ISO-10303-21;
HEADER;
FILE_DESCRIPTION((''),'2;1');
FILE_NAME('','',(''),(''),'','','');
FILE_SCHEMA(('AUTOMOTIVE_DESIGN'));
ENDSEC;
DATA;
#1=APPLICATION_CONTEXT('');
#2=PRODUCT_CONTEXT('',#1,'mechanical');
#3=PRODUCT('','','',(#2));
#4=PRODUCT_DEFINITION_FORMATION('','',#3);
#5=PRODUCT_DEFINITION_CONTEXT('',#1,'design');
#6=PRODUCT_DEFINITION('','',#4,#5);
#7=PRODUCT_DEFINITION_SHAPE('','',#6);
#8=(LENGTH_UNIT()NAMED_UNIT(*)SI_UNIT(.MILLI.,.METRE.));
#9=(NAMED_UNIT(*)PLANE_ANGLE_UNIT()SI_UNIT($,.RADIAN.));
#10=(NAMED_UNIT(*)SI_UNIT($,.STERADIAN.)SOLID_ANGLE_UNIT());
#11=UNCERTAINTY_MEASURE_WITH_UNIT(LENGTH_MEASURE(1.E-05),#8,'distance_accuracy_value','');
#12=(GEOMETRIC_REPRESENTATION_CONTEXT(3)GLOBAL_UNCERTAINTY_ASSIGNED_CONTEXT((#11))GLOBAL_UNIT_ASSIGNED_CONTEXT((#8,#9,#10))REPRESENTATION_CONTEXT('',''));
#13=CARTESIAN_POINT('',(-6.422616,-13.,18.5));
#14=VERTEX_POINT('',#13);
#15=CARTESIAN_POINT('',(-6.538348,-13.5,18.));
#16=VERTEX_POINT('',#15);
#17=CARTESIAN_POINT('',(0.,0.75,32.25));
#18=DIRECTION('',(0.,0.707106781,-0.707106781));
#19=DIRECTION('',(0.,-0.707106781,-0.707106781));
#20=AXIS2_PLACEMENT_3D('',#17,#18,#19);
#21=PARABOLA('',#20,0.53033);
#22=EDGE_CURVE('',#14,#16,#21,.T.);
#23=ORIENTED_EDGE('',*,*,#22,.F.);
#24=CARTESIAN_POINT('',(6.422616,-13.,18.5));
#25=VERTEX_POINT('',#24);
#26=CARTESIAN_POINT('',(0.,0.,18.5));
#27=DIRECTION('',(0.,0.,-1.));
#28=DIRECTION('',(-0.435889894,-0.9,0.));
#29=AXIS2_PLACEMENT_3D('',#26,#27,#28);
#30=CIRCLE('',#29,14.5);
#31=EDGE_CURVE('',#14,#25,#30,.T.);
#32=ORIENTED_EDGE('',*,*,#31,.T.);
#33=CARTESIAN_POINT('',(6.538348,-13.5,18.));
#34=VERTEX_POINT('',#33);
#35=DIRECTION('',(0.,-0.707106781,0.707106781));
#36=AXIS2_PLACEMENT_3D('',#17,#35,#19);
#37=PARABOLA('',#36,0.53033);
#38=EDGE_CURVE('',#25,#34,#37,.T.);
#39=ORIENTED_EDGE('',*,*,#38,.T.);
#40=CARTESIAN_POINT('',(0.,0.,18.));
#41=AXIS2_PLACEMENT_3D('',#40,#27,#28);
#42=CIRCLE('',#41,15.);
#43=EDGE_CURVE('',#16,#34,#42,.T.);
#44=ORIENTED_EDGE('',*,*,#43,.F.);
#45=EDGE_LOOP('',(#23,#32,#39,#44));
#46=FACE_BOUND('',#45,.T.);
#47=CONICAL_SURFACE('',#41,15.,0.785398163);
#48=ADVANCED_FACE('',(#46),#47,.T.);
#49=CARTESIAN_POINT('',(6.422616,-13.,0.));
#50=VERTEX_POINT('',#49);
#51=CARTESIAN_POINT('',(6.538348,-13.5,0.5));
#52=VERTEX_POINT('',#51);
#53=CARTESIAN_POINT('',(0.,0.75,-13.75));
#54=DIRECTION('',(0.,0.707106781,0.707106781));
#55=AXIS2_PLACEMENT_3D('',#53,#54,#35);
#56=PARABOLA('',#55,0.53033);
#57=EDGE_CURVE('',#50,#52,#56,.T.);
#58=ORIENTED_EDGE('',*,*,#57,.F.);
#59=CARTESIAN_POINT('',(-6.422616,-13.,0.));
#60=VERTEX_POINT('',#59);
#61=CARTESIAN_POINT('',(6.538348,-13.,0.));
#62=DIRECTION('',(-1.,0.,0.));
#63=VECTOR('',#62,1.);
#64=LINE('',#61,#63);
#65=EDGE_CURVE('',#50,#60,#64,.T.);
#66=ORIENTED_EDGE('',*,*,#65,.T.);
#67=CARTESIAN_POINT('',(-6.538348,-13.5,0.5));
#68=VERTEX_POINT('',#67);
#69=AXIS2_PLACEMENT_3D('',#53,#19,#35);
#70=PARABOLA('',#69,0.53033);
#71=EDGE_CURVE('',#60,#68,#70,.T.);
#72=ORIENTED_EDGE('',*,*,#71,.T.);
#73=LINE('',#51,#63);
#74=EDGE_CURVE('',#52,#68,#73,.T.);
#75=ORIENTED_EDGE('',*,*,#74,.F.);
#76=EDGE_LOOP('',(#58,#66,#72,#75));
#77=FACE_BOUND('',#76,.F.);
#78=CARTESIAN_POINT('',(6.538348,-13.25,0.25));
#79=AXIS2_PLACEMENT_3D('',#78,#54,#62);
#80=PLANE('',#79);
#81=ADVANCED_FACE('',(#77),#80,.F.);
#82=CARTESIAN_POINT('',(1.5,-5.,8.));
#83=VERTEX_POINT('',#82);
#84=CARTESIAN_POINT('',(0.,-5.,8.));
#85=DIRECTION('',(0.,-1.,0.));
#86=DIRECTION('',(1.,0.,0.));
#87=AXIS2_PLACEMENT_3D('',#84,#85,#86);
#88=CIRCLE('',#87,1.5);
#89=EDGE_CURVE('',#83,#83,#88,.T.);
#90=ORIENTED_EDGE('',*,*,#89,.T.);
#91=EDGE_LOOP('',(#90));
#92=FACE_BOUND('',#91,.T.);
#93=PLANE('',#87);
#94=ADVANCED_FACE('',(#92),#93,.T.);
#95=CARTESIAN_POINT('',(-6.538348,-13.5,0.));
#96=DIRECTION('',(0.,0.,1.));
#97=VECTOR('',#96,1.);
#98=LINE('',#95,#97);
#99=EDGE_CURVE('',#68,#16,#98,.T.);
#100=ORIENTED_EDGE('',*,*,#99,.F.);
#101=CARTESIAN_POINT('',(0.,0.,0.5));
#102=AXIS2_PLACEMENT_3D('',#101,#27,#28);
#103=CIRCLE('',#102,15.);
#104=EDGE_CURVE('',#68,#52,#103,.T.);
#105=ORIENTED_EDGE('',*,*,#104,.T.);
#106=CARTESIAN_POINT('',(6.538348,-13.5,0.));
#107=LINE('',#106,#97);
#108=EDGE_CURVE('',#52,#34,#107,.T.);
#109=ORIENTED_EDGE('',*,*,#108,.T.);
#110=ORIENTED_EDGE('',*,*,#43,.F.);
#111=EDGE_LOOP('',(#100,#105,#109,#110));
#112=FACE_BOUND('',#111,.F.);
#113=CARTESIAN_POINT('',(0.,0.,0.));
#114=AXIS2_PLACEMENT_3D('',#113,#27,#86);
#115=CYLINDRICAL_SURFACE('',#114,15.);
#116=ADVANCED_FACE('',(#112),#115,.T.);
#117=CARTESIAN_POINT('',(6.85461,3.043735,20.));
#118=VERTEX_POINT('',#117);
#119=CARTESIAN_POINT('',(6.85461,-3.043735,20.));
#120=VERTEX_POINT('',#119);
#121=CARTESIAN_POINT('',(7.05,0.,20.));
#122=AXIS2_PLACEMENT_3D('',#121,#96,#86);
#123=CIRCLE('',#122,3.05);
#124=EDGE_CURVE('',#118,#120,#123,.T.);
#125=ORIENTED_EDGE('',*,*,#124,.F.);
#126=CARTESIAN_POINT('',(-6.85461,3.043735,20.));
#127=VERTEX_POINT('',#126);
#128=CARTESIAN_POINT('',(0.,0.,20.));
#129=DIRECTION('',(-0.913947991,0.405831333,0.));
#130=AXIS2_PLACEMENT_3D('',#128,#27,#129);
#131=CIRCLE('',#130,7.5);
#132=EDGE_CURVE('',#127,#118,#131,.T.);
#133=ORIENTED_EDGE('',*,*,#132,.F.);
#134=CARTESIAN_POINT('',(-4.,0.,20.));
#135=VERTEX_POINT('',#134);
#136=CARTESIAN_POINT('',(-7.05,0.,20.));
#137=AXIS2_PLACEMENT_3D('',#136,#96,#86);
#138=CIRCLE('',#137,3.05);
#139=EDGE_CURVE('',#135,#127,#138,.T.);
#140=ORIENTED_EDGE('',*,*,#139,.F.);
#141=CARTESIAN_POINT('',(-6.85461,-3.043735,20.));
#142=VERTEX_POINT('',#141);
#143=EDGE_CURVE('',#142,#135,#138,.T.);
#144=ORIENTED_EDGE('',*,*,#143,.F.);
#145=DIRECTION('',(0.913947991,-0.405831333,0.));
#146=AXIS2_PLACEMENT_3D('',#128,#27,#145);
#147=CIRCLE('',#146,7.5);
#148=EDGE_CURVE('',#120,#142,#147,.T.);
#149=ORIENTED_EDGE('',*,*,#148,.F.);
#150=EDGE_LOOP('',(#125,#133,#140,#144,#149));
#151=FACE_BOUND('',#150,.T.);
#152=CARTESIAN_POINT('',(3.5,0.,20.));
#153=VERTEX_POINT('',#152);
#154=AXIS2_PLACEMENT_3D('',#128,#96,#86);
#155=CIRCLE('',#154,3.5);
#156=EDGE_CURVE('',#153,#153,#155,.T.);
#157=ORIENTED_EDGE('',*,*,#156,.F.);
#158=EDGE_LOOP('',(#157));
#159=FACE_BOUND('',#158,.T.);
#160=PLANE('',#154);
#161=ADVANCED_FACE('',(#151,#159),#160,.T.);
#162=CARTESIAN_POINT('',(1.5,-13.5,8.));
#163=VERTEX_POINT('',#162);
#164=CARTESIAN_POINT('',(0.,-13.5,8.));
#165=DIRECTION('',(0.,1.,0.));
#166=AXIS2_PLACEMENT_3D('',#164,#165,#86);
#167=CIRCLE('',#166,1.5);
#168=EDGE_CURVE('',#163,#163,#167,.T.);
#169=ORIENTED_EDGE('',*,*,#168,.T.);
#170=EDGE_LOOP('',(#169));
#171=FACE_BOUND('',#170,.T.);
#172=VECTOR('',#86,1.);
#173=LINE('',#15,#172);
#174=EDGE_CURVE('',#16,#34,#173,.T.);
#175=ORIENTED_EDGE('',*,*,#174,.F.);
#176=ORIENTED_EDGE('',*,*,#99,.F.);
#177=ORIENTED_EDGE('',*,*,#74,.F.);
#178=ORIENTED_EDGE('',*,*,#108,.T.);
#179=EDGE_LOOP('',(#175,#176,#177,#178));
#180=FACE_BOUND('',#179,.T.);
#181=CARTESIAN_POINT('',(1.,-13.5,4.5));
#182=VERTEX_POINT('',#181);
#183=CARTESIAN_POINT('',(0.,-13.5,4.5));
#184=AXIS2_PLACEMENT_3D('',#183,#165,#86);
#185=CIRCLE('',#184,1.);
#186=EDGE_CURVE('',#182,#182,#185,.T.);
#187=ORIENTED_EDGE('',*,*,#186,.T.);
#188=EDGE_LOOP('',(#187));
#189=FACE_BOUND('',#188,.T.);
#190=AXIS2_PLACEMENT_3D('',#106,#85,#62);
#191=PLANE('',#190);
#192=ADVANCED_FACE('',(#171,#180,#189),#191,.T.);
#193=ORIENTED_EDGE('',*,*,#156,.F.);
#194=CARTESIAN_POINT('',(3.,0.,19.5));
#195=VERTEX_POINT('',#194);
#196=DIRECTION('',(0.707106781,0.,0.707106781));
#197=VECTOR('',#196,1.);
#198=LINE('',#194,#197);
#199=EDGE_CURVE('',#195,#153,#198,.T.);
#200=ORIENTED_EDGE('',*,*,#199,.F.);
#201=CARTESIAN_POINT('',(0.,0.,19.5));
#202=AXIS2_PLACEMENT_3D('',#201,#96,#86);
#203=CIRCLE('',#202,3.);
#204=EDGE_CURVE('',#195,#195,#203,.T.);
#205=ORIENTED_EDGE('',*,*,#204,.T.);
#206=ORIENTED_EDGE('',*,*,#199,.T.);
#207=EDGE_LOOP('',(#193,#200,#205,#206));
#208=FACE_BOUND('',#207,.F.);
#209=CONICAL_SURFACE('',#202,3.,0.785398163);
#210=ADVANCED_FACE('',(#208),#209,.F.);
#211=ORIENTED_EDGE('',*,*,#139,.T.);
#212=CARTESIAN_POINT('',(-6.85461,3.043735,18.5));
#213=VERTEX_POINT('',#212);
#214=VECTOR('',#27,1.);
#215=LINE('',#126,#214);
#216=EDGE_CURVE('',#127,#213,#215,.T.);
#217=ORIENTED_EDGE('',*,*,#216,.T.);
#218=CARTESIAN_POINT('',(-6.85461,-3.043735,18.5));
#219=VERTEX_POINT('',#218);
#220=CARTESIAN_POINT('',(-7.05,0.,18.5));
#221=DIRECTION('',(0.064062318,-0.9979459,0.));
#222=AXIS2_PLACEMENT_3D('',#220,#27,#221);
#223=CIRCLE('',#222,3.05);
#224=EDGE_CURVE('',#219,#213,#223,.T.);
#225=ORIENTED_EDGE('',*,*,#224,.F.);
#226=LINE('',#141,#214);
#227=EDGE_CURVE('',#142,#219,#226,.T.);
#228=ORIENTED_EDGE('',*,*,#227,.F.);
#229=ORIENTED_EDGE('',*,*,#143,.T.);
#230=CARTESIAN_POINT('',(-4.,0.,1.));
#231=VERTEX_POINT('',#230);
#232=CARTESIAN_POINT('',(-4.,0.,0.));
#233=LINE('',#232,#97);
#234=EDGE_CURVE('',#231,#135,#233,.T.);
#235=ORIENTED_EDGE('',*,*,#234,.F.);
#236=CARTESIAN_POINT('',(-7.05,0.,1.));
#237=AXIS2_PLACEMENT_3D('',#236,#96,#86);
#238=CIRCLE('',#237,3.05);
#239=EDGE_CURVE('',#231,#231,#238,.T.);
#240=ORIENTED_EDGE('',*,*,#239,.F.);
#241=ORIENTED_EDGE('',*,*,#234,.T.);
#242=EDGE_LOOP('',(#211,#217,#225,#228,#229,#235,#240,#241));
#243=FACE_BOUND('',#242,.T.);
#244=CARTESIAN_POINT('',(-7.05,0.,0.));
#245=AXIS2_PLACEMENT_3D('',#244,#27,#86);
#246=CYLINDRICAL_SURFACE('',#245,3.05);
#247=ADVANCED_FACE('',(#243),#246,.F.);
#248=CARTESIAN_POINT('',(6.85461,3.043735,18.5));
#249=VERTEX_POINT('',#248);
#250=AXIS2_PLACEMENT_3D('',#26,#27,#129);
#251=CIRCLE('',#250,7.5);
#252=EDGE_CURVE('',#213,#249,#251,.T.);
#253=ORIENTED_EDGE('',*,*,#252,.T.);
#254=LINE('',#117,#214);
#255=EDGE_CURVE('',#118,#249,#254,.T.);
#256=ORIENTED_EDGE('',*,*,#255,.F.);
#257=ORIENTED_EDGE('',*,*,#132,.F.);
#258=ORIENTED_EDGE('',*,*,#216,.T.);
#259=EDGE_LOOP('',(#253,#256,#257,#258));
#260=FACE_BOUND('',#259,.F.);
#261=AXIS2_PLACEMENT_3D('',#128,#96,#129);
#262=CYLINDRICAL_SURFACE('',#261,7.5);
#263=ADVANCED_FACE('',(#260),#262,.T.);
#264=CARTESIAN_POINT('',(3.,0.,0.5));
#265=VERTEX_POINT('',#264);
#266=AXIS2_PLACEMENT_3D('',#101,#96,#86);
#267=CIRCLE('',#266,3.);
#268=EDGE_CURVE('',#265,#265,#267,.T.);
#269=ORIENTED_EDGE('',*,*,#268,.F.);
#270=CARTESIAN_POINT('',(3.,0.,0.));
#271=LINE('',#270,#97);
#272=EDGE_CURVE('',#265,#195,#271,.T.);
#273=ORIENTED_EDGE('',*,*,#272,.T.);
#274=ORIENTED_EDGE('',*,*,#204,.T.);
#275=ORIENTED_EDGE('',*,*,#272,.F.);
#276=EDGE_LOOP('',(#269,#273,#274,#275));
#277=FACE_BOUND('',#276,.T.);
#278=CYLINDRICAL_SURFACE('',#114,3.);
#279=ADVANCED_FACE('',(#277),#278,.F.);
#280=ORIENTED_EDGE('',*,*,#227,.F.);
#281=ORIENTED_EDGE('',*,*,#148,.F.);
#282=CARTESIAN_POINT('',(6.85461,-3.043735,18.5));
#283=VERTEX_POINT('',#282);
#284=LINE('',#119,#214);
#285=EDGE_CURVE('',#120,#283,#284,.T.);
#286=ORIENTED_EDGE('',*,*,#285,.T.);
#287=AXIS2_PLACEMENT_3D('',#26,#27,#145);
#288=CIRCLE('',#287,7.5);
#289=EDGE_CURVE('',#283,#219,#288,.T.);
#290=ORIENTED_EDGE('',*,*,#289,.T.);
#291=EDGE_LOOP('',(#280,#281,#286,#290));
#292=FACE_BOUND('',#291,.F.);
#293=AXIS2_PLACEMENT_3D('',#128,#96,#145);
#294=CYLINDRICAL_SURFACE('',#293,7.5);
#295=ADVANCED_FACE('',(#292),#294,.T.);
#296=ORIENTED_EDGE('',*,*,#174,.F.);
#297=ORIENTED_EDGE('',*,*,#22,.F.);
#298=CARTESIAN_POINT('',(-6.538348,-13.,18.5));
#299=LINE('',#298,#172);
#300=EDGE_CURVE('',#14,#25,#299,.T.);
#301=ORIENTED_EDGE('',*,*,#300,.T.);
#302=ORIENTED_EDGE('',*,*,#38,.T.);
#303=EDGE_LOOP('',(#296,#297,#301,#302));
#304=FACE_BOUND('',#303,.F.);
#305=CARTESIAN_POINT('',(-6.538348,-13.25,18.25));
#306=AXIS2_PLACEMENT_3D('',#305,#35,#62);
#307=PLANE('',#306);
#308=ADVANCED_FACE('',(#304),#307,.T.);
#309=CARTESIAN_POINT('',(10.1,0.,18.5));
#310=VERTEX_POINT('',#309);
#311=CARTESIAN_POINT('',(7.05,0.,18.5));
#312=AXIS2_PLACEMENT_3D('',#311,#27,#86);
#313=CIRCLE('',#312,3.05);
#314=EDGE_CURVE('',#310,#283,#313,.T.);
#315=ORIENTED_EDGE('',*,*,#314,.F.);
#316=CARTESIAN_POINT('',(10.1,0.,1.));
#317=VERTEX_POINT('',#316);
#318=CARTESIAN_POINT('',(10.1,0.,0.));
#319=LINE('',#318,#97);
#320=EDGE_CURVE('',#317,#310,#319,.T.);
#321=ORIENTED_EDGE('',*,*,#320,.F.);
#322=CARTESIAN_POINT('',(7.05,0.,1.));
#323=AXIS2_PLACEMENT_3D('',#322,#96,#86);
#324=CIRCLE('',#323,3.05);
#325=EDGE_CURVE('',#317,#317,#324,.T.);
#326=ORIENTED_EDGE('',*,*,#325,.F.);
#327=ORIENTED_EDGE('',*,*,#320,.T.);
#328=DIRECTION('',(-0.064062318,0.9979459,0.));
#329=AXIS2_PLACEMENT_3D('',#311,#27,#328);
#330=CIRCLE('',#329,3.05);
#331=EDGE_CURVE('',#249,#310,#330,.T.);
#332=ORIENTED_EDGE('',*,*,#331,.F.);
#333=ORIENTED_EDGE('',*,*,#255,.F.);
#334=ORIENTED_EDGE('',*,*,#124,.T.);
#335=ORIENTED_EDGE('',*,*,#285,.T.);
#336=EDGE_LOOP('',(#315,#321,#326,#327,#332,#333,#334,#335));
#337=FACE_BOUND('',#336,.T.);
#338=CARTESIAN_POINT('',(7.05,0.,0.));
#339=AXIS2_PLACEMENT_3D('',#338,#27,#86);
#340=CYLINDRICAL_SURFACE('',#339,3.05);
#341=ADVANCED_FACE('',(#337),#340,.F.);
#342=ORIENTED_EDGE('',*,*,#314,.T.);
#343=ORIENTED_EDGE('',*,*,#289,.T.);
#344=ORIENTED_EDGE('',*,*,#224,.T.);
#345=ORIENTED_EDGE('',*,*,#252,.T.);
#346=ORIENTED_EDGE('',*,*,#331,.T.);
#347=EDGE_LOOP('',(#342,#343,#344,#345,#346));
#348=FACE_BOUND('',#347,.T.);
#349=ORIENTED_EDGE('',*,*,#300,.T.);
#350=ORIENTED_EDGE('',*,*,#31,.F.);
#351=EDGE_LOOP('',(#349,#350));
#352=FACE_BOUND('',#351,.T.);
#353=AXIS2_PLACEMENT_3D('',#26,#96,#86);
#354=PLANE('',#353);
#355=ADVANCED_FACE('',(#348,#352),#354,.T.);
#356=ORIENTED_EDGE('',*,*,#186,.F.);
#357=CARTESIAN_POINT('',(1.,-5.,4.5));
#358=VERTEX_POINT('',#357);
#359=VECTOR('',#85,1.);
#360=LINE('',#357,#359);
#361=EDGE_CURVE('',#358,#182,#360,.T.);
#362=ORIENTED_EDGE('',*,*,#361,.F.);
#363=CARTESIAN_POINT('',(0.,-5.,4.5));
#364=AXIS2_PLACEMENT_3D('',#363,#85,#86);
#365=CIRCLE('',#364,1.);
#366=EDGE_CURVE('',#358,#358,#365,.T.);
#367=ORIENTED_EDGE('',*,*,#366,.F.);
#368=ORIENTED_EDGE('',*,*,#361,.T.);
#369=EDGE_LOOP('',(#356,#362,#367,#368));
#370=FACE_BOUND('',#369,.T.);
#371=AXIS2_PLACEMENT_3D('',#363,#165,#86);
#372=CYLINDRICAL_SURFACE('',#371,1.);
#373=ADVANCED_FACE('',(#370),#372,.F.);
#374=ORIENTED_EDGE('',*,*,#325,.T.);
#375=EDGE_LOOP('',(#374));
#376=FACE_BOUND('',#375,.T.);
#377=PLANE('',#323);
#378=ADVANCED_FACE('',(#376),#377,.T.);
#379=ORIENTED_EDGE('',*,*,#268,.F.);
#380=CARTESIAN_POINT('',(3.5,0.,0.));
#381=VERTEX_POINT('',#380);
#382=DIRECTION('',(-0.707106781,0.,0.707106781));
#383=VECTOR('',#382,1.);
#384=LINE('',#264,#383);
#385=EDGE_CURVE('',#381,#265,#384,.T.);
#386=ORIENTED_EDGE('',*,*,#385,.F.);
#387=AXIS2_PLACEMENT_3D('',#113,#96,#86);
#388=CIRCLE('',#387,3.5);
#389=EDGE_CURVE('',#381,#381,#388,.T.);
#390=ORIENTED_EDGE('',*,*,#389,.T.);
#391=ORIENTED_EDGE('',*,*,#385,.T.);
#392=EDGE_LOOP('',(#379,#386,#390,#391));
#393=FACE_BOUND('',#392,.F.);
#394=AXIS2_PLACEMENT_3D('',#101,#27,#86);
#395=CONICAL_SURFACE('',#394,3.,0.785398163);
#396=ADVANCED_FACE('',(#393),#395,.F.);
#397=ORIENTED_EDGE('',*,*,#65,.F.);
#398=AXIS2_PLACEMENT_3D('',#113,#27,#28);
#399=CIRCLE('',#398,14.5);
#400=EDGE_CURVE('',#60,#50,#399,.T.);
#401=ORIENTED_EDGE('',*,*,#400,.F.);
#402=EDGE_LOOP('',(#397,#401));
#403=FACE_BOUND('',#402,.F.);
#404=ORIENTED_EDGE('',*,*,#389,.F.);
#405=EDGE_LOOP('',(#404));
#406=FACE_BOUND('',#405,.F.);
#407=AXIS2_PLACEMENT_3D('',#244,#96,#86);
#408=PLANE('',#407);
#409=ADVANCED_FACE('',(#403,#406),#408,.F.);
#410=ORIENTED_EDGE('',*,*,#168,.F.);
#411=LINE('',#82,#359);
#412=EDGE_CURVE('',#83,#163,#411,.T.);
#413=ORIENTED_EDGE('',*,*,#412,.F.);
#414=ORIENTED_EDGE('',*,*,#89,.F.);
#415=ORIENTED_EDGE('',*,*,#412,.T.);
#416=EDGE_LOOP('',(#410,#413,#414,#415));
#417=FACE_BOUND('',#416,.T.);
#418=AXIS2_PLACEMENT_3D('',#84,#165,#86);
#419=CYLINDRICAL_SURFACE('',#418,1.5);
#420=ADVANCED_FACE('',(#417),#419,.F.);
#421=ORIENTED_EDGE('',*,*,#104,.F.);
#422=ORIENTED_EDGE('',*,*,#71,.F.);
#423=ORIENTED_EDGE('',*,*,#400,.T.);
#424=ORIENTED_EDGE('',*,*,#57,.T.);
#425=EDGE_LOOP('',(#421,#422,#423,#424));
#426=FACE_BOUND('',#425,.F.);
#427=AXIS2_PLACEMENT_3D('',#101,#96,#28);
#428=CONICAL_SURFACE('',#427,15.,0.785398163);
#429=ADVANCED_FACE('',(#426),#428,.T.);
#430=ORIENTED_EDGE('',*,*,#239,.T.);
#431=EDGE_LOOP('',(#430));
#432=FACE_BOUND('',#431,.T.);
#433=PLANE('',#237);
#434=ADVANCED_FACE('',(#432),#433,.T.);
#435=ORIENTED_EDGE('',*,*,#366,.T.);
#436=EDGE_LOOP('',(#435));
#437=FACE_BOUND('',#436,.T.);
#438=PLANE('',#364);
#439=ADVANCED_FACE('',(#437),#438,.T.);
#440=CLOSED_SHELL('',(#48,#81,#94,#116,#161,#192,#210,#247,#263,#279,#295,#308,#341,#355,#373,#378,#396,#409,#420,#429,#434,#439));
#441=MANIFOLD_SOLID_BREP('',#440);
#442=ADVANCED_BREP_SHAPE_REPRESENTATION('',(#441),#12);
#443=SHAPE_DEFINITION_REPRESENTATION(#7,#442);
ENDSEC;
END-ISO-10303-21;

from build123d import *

# Parameters (mm, degrees)
F0_R     = 15
F0_R_2   = 3.05
F0_R_3   = 3
F1_DEPTH = 20
F2_DEPTH = 1
F3_R     = 15
F4_DEPTH = 1.5
F6_START = 5
F5_R     = 1
F5_R_2   = 1.5
F6_DEPTH = 20
F8_DEPTH = 25
F9_SIZE  = 0.5


with BuildPart() as f1:
    # F0 (on Top) → F1 (new body)
    with BuildSketch(Plane.XY):
        Circle(F0_R)
        with Locations((-7.05, 0)):
            Circle(F0_R_2, mode=Mode.SUBTRACT)
        Circle(F0_R_3, mode=Mode.SUBTRACT)
        with Locations((7.05, 0)):
            Circle(F0_R_2, mode=Mode.SUBTRACT)
    extrude(amount=F1_DEPTH)

    # F0 (on Top) → F2 (join)
    with BuildSketch(Plane.XY):
        with Locations((-7.05, 0)):
            Circle(F0_R_2)
        with Locations((7.05, 0)):
            Circle(F0_R_2)
    extrude(amount=F2_DEPTH)

    # F3 (on face) → F4 (cut)
    with BuildSketch(Plane.XY.offset(20)):
        Circle(F3_R)
        with BuildLine():
            ThreePointArc((-6.8546099291, 3.0437349951), (0, 7.5), (6.8546099291, 3.0437349951))
            ThreePointArc((6.8546099291, 3.0437349951), (9.1364515671, 2.2246842154), (10.1, 0))
            ThreePointArc((10.1, 0), (9.1364515671, -2.2246842154), (6.8546099291, -3.0437349951))
            ThreePointArc((6.8546099291, -3.0437349951), (0, -7.5), (-6.8546099291, -3.0437349951))
            ThreePointArc((-6.8546099291, -3.0437349951), (-10.1, 0), (-6.8546099291, 3.0437349951))
        make_face(mode=Mode.SUBTRACT)
    extrude(amount=-F4_DEPTH, mode=Mode.SUBTRACT)

    # F5 (on Front) → F6 (cut)
    with BuildSketch(Plane.XZ.offset(F6_START)):
        with Locations((0, 4.5)):
            Circle(F5_R)
        with Locations((0, 8)):
            Circle(F5_R_2)
    extrude(amount=F6_DEPTH, mode=Mode.SUBTRACT)

    # F7 (on face) → F8 (cut)
    with BuildSketch(Plane.XY):
        with BuildLine():
            Line((6.5383484153, -13.5), (-6.5383484153, -13.5))
            ThreePointArc((-6.5383484153, -13.5), (0, -15), (6.5383484153, -13.5))
        make_face()
    extrude(amount=F8_DEPTH, mode=Mode.SUBTRACT)

    # F9
    f9_edges = [f1.edges().sort_by_distance(p)[0] for p in [
        (0, 15, 0),
        (0, -13.5, 0),
        (-3, 0, 0),
        (0, 15, 18.5),
        (-3, 0, 20),
        (0, -13.5, 18.5),
    ]]
    chamfer(f9_edges, length=F9_SIZE)


solid = f1.part
